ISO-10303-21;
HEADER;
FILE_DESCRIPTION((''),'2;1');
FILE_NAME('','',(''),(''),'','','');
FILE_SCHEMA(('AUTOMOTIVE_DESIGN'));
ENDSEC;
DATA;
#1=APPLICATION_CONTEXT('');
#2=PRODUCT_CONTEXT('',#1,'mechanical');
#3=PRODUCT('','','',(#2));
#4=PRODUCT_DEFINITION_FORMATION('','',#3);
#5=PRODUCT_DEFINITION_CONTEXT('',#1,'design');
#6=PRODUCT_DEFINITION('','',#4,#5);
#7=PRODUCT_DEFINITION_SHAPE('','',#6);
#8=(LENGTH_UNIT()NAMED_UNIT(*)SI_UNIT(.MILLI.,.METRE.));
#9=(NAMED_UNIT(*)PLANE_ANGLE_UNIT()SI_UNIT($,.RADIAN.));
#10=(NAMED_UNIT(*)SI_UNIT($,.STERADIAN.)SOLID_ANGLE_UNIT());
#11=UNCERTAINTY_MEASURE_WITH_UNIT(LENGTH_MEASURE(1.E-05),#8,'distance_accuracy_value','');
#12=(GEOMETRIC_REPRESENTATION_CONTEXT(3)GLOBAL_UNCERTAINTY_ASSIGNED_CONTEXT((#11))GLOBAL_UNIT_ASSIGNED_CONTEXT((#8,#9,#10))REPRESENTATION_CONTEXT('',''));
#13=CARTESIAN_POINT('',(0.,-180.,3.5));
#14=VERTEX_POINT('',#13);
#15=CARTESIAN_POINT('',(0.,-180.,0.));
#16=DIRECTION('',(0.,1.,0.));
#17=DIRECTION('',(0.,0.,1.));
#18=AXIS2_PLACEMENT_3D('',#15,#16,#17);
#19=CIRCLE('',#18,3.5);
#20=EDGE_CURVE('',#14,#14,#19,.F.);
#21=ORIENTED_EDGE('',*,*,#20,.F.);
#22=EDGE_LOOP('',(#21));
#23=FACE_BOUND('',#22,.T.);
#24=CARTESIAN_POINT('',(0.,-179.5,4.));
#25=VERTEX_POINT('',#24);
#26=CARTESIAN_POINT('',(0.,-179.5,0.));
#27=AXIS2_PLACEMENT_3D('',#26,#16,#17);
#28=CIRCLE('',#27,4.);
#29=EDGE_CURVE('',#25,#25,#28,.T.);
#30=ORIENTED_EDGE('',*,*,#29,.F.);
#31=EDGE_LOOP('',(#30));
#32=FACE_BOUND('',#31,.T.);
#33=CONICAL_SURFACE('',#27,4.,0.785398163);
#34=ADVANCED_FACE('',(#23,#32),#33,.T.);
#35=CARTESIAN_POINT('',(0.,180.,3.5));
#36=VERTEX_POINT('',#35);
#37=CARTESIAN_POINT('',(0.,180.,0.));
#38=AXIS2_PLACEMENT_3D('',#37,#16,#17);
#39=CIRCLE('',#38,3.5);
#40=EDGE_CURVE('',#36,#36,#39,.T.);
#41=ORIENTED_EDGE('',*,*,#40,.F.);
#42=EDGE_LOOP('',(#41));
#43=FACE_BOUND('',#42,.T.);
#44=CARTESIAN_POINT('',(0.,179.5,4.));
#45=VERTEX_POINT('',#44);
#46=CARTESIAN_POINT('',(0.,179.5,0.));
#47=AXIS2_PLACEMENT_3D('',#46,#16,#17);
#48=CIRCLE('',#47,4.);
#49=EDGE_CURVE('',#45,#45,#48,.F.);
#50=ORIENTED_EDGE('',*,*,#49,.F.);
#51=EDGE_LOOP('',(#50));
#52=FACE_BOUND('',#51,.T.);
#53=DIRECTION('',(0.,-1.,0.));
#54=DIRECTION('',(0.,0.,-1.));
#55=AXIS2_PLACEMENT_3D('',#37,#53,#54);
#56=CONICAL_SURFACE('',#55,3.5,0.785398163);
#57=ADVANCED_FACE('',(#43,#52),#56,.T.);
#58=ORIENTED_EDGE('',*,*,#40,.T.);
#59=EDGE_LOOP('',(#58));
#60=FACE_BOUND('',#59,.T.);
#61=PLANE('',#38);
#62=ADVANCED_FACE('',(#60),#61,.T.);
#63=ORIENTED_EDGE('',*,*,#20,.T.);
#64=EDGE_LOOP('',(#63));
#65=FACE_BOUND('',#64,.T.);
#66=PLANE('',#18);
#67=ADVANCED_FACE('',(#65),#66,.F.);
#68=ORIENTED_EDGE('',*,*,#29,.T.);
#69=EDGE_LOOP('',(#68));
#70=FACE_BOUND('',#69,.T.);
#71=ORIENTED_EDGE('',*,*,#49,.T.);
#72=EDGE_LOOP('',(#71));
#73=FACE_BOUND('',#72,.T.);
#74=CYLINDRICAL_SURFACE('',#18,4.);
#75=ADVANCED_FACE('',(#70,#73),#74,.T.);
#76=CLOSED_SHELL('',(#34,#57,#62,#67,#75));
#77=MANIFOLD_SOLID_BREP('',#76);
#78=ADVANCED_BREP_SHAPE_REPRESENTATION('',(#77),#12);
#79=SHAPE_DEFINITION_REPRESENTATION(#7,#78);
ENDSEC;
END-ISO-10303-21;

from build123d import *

# Parameters (mm, degrees)
BOSS_EXTRUDE1_DEPTH      = 180
BOSS_EXTRUDE1_DEPTH_BACK = 180
SKETCH1_R                = 4
CHAMFER1_SIZE            = 0.5


with BuildPart() as part:
    # Sketch1 → Boss-Extrude1 (new, two sides: drawn at the far end of the back side and taken through both)
    with BuildSketch(Plane(origin=(0, 0, 0), x_dir=(1, 0, 0), z_dir=(0, 1, 0)).offset(-BOSS_EXTRUDE1_DEPTH_BACK)):
        Circle(SKETCH1_R)
    extrude(amount=BOSS_EXTRUDE1_DEPTH + BOSS_EXTRUDE1_DEPTH_BACK)

    # Chamfer1
    chamfer1_edges = [part.edges().sort_by_distance(p)[0] for p in [
        (-4, -180, 0),
        (-4, 180, 0),
    ]]
    chamfer(chamfer1_edges, length=CHAMFER1_SIZE)


solid = part.part
